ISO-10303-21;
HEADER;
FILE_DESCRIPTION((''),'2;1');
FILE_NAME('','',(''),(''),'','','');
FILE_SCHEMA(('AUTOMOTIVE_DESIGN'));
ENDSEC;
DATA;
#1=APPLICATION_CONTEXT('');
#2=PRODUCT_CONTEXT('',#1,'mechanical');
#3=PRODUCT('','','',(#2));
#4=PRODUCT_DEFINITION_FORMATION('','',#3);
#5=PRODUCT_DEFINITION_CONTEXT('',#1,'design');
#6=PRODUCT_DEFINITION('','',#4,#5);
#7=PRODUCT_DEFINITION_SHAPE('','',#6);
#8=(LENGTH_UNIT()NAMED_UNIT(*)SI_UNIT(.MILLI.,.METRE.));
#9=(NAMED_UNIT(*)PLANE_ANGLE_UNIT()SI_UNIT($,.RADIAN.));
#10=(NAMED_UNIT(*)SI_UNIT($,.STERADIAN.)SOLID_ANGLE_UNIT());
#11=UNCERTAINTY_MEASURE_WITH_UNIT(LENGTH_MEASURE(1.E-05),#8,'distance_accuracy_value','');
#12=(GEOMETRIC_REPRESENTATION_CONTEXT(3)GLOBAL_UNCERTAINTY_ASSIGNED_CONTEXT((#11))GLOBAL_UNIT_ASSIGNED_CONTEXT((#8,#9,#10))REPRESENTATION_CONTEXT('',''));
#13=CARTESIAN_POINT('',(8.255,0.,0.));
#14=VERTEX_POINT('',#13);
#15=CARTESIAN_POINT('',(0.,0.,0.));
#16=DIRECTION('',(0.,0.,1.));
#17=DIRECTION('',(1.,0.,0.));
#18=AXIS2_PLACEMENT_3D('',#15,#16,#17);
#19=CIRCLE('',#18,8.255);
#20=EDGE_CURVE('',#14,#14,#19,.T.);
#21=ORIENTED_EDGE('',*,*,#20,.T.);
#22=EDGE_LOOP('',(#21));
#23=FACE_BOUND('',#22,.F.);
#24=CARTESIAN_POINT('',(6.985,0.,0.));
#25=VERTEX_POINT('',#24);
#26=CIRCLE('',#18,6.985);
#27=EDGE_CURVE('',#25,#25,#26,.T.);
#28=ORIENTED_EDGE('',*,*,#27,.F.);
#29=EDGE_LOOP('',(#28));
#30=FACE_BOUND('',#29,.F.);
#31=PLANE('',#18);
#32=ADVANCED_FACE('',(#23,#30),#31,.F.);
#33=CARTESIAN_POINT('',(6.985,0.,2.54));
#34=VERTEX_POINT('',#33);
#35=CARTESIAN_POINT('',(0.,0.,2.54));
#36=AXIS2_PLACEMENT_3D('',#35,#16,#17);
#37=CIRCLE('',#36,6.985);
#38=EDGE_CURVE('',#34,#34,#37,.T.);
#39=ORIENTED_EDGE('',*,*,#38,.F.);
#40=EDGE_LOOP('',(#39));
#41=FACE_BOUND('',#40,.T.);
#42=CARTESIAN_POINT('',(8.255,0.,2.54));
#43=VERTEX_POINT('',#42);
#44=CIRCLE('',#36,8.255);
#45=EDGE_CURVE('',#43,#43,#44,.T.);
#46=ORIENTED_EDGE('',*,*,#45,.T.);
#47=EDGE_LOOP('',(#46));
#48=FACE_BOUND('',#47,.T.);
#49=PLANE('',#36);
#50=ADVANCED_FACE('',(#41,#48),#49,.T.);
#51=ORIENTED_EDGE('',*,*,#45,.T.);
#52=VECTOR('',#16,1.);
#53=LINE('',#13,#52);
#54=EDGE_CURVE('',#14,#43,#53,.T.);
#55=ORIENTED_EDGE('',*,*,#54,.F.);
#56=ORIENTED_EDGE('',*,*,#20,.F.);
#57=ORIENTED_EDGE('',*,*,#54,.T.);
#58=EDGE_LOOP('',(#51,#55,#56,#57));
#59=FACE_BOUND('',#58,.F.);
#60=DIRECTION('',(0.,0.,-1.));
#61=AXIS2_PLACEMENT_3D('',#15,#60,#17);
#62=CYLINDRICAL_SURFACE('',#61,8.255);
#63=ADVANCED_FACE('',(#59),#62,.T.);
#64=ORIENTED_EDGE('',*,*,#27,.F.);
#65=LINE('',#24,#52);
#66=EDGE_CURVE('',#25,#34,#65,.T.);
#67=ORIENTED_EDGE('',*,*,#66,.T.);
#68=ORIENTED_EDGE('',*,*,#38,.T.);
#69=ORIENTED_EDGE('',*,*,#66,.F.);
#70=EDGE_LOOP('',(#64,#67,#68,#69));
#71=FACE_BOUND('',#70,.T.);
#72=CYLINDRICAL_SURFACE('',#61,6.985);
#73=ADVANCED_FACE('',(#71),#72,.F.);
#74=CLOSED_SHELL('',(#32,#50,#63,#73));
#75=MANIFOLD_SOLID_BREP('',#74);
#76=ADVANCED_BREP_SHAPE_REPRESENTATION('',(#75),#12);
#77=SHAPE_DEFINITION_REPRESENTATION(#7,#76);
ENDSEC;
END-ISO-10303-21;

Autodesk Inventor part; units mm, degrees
ref_plane "YZ Plane" through (0, 0, 0) normal (1, 0, 0) x (0, 1, 0)
ref_plane "XZ Plane" through (0, 0, 0) normal (0, 1, 0) x (-1, 0, 0)
ref_plane "XY Plane" through (0, 0, 0) normal (0, 0, 1) x (1, 0, 0)
sketch "Sketch1" plane through (0, 0, 0) normal (0, 0, 1) x (1, 0, 0)
  circle A0 centre (0, 0) radius 6.985
  circle A1 centre (0, 0) radius 8.255
  dimension "d0" = 13.97
  dimension "d1" = 16.51
extrude "Extrusion1" add sketch "Sketch1" along normal blind 2.54
sketch "Sketch2" plane through (0, 0, 2.54) normal (0, 0, 1) x (1, 0, 0)
  point P0 (0, 0)
properties part number "Sling ring"
